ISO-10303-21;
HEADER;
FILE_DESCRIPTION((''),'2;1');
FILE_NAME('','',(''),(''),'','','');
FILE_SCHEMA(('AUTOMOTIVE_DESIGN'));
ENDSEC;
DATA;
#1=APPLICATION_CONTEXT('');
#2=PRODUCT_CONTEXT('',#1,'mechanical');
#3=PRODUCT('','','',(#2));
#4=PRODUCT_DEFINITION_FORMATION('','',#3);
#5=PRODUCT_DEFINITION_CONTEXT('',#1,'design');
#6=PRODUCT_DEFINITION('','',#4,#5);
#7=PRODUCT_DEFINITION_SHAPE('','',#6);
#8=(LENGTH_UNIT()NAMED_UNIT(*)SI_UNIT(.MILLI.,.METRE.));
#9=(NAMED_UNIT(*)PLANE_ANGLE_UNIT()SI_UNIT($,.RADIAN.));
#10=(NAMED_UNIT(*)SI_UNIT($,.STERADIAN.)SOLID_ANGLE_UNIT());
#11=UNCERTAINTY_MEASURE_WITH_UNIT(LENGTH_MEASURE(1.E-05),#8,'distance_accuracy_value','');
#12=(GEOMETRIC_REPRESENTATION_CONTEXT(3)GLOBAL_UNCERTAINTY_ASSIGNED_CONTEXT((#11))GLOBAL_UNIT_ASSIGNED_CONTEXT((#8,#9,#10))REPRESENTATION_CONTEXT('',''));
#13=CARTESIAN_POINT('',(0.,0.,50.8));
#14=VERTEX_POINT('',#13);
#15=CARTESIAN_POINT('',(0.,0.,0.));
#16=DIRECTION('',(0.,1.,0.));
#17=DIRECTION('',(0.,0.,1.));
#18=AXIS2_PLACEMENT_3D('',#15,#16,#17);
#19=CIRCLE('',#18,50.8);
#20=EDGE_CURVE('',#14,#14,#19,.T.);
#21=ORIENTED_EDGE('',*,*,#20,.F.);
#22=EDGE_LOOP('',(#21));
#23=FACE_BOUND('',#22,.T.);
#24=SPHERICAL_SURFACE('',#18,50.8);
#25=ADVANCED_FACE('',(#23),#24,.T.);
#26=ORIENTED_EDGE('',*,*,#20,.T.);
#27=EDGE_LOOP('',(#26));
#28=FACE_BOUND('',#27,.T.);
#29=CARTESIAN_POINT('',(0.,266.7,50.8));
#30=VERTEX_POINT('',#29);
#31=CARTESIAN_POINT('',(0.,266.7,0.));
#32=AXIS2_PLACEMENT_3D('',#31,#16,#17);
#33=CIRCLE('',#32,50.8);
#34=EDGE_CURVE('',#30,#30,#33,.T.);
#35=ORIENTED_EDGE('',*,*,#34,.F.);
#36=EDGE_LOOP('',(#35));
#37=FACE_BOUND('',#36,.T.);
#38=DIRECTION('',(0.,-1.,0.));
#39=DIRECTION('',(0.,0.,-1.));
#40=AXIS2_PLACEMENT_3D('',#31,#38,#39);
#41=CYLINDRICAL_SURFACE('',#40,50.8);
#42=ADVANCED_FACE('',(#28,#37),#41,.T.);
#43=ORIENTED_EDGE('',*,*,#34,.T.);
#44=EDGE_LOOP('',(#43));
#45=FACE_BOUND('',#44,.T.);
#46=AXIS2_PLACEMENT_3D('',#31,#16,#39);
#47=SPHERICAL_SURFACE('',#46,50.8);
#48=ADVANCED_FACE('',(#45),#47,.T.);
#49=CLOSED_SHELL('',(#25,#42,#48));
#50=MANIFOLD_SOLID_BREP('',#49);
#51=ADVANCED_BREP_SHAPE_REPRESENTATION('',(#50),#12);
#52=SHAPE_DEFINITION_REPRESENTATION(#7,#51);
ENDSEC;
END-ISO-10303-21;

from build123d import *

# Parameters (mm, degrees)
SKETCH1_R      = 50.8
EXTRUDE1_DEPTH = 266.7


with BuildPart() as part:
    # Sketch1 → Extrude1 (new body)
    with BuildSketch(Plane(origin=(0, 0, 0), x_dir=(1, 0, 0), z_dir=(0, 1, 0))):
        Circle(SKETCH1_R)
    extrude(amount=EXTRUDE1_DEPTH)

    # Sketch5 → Revolve1 (revolve)
    with BuildSketch(Plane(origin=(0, 0, 0), x_dir=(0, 0, -1), z_dir=(1, 0, 0))):
        with BuildLine():
            Line((0, 0), (-50.8, 0))
            ThreePointArc((-50.8, 0), (-35.921024484, -35.921024484), (0, -50.8))
            Line((0, -50.8), (0, 0))
        make_face()
        with BuildLine():
            Line((0, 317.5), (0, 266.7))
            Line((0, 266.7), (-50.8, 266.7))
            ThreePointArc((-50.8, 266.7), (-35.921024484, 302.621024484), (0, 317.5))
        make_face()
    revolve(axis=Axis((0, 266.7, 0), (0, -1, 0)))


solid = part.part
